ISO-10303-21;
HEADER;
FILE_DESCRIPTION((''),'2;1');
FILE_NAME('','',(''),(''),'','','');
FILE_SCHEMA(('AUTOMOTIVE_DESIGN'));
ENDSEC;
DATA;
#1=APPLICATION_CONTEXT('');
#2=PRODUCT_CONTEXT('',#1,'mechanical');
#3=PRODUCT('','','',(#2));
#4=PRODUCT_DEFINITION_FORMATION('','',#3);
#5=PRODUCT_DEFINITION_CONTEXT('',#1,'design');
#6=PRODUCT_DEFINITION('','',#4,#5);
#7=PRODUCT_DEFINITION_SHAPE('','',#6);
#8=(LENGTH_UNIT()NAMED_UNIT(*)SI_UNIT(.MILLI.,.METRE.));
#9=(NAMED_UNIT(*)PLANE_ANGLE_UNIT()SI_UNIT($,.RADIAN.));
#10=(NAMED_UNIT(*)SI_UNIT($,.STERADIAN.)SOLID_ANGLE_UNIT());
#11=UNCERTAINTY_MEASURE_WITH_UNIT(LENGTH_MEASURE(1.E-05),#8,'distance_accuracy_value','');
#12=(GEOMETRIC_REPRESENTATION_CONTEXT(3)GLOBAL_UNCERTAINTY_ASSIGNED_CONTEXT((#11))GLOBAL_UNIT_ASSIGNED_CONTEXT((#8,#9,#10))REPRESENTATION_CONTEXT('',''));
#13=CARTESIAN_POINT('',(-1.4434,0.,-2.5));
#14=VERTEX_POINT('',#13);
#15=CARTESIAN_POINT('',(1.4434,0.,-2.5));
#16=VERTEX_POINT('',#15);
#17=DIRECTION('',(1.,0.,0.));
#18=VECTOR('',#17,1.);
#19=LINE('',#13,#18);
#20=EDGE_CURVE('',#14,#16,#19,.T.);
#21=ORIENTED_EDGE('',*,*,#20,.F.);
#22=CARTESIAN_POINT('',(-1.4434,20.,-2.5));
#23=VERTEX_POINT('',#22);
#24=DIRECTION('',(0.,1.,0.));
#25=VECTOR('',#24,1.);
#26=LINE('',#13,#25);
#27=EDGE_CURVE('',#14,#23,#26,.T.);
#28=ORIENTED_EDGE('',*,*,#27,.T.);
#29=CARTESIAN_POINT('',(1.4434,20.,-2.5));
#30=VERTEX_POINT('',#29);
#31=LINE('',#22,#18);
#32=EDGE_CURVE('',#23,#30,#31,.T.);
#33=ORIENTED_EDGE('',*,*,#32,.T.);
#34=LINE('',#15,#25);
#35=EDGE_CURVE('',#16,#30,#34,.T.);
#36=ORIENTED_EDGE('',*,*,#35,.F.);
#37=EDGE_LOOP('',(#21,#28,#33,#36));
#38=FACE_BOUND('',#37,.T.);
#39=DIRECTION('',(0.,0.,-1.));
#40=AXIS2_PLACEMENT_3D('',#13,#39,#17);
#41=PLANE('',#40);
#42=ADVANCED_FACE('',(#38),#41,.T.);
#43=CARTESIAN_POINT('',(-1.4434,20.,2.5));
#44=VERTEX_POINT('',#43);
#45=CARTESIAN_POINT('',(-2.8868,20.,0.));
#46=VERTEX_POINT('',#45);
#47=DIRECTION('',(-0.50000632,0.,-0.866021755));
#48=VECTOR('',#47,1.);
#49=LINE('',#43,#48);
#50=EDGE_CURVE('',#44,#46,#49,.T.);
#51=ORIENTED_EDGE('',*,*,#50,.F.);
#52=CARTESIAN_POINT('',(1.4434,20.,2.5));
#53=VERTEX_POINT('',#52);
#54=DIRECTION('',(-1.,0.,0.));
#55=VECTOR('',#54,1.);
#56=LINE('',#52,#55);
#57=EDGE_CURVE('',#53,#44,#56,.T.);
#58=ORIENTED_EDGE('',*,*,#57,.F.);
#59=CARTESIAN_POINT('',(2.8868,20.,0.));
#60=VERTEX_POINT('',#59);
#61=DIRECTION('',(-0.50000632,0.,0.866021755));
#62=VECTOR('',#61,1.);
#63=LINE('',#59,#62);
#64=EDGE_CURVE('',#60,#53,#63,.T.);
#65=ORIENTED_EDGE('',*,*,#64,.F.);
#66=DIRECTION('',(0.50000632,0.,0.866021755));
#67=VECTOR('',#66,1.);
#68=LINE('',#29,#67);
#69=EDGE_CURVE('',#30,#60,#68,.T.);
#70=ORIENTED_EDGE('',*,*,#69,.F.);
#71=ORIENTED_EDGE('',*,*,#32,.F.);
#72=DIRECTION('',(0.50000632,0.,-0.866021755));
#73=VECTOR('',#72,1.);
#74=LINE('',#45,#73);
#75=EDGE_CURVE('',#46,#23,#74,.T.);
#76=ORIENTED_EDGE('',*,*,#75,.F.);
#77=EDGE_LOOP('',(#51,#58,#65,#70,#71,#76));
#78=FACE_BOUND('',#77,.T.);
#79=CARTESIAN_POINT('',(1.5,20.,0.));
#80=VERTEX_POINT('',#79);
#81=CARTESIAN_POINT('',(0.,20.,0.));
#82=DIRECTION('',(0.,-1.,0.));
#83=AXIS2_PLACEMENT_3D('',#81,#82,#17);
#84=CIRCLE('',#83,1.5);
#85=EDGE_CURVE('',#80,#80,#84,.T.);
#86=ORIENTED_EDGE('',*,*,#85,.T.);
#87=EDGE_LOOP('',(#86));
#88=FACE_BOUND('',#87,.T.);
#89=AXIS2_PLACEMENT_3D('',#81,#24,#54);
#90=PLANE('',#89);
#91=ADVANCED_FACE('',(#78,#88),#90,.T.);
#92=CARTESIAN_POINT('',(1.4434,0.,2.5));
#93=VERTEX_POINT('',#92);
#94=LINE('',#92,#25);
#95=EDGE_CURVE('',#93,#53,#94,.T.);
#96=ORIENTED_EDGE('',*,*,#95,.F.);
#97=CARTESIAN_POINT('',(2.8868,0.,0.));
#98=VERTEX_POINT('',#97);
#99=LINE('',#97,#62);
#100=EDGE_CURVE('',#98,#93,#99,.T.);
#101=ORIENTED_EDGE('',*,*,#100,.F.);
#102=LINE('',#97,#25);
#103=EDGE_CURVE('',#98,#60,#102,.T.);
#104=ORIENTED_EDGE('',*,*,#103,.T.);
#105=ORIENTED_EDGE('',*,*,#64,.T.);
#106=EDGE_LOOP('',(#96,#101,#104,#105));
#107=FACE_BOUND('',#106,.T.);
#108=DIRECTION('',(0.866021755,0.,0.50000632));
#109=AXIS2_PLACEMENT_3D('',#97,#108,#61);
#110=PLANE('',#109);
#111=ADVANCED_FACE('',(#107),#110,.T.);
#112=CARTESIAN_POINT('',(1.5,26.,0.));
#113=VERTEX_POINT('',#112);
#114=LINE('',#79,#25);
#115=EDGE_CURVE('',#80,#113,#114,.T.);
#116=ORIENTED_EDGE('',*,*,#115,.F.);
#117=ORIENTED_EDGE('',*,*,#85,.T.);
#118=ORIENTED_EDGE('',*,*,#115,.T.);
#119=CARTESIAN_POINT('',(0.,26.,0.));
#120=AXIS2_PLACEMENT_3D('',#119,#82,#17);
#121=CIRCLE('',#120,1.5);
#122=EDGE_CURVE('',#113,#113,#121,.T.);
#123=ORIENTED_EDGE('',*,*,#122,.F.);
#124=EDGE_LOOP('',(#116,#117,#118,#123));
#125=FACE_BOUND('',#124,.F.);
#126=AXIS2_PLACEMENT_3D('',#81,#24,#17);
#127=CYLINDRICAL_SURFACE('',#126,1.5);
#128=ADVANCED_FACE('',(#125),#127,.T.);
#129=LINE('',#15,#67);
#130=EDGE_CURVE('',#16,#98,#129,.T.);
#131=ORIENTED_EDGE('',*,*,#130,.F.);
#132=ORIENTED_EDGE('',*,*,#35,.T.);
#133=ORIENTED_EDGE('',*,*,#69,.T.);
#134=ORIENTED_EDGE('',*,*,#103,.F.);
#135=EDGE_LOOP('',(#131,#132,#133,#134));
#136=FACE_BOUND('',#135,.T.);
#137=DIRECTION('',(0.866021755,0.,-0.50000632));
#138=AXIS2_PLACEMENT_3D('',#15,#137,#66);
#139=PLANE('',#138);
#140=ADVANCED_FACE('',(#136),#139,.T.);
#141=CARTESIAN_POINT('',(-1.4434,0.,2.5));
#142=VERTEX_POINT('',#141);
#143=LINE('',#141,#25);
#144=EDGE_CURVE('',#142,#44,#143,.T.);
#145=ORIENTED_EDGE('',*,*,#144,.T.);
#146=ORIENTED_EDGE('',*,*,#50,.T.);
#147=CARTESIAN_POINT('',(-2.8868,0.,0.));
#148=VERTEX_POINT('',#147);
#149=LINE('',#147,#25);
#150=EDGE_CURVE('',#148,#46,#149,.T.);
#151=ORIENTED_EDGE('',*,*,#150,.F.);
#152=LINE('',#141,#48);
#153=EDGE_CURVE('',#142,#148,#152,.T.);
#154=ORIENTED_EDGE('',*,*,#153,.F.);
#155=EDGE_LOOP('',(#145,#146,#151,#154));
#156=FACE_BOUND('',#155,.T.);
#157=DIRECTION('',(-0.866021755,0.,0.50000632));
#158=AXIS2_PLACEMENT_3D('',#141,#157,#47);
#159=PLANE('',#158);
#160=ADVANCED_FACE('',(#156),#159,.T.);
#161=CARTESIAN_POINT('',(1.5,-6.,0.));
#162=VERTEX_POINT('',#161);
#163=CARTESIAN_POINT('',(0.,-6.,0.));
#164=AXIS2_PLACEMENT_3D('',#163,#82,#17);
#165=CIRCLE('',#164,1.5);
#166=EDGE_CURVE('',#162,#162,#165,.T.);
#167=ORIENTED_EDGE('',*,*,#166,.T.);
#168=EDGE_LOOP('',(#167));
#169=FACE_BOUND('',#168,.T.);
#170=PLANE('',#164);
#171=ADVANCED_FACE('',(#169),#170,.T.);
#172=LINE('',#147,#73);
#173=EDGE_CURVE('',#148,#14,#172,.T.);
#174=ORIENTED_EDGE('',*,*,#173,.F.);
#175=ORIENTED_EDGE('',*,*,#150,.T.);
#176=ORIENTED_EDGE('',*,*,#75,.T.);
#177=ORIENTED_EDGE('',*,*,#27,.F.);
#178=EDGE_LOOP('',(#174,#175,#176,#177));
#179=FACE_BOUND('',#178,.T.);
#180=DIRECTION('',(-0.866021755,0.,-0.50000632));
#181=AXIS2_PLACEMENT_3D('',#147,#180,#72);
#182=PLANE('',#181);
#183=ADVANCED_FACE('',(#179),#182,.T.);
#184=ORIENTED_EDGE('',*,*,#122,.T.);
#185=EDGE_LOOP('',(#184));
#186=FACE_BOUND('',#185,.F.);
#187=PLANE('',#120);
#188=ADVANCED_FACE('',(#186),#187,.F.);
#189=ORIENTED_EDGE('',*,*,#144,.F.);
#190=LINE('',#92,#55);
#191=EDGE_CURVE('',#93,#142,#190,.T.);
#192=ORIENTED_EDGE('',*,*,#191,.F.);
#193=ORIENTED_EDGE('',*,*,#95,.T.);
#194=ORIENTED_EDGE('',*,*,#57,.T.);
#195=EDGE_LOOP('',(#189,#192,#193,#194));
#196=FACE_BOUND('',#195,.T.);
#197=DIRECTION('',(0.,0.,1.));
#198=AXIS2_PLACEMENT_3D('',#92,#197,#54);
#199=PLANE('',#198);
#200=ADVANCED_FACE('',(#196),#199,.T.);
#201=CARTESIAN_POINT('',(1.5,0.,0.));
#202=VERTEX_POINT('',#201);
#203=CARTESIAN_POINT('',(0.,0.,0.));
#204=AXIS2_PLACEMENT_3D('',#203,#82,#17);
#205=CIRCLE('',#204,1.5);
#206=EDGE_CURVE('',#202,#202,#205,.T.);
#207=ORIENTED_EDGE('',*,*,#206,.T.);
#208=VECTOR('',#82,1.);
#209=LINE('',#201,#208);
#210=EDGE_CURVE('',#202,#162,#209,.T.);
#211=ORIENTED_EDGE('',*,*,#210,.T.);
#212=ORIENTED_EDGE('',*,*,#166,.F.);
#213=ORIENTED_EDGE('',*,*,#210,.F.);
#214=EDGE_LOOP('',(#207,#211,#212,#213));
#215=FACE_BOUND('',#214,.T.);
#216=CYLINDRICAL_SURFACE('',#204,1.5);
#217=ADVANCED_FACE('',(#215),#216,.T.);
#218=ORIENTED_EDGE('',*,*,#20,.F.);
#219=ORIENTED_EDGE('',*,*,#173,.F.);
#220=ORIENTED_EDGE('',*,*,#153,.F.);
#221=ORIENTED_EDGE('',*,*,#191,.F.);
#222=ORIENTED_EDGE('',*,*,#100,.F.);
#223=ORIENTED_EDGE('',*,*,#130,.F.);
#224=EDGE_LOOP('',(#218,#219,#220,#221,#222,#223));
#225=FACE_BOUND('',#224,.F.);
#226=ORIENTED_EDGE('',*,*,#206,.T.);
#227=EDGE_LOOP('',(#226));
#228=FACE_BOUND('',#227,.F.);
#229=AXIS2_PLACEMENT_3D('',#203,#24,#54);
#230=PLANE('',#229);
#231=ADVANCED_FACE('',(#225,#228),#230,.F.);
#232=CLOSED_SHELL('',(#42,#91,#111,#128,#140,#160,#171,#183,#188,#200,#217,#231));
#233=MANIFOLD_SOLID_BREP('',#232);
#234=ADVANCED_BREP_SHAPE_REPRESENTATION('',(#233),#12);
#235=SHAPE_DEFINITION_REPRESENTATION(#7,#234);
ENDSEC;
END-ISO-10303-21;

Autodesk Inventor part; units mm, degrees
ref_plane "YZ Plane" through (0, 0, 0) normal (1, 0, 0) x (0, 1, 0)
ref_plane "XZ Plane" through (0, 0, 0) normal (0, 1, 0) x (-1, 0, 0)
ref_plane "XY Plane" through (0, 0, 0) normal (0, 0, 1) x (1, 0, 0)
sketch "草圖2" plane through (0, 0, 0) normal (0, 1, 0) x (-1, 0, 0)
  line L0 (-2.8868, 0) -> (-1.4434, 2.5)
  line L1 (-1.4434, 2.5) -> (1.4434, 2.5)
  line L2 (1.4434, 2.5) -> (2.8868, 0)
  line L3 (2.8868, 0) -> (1.4434, -2.5)
  line L4 (1.4434, -2.5) -> (-1.4434, -2.5)
  line L5 (-1.4434, -2.5) -> (-2.8868, 0)
  point P0 (0, 0)
  point P1 (0, 0)
  dimension "d2" = 5
extrude "擠出1" add sketch "草圖2" along normal blind 20
sketch "草圖3" plane through (0, 0, 0) normal (0, 0, 1) x (1, 0, 0)
  line L0 (1.4434, 20) -> (-1.4434, 20) projected
  line L1 (0, 20) -> (1.5, 20)
  line L2 (1.5, 20) -> (1.5, 26)
  line L3 (1.5, 26) -> (0, 26)
  line L4 (0, 26) -> (0, 20)
  line L5 (0, 17.268) -> (0, -3.3114)
  line L6 (0, 0) -> (1.5, 0)
  line L7 (1.5, 0) -> (1.5, -6)
  line L8 (1.5, -6) -> (0, -6)
  line L9 (0, -6) -> (0, 0)
  point P0 (0.75, 26)
  dimension "d5" = 3
  dimension "d6" = 6
  dimension "d8" = 6
revolve "迴轉1" add sketch "草圖3" angle 360 about axis through (0, 17.268, 0) along (0, -1, 0)
properties part number "copper_pillar_M3_L25"
